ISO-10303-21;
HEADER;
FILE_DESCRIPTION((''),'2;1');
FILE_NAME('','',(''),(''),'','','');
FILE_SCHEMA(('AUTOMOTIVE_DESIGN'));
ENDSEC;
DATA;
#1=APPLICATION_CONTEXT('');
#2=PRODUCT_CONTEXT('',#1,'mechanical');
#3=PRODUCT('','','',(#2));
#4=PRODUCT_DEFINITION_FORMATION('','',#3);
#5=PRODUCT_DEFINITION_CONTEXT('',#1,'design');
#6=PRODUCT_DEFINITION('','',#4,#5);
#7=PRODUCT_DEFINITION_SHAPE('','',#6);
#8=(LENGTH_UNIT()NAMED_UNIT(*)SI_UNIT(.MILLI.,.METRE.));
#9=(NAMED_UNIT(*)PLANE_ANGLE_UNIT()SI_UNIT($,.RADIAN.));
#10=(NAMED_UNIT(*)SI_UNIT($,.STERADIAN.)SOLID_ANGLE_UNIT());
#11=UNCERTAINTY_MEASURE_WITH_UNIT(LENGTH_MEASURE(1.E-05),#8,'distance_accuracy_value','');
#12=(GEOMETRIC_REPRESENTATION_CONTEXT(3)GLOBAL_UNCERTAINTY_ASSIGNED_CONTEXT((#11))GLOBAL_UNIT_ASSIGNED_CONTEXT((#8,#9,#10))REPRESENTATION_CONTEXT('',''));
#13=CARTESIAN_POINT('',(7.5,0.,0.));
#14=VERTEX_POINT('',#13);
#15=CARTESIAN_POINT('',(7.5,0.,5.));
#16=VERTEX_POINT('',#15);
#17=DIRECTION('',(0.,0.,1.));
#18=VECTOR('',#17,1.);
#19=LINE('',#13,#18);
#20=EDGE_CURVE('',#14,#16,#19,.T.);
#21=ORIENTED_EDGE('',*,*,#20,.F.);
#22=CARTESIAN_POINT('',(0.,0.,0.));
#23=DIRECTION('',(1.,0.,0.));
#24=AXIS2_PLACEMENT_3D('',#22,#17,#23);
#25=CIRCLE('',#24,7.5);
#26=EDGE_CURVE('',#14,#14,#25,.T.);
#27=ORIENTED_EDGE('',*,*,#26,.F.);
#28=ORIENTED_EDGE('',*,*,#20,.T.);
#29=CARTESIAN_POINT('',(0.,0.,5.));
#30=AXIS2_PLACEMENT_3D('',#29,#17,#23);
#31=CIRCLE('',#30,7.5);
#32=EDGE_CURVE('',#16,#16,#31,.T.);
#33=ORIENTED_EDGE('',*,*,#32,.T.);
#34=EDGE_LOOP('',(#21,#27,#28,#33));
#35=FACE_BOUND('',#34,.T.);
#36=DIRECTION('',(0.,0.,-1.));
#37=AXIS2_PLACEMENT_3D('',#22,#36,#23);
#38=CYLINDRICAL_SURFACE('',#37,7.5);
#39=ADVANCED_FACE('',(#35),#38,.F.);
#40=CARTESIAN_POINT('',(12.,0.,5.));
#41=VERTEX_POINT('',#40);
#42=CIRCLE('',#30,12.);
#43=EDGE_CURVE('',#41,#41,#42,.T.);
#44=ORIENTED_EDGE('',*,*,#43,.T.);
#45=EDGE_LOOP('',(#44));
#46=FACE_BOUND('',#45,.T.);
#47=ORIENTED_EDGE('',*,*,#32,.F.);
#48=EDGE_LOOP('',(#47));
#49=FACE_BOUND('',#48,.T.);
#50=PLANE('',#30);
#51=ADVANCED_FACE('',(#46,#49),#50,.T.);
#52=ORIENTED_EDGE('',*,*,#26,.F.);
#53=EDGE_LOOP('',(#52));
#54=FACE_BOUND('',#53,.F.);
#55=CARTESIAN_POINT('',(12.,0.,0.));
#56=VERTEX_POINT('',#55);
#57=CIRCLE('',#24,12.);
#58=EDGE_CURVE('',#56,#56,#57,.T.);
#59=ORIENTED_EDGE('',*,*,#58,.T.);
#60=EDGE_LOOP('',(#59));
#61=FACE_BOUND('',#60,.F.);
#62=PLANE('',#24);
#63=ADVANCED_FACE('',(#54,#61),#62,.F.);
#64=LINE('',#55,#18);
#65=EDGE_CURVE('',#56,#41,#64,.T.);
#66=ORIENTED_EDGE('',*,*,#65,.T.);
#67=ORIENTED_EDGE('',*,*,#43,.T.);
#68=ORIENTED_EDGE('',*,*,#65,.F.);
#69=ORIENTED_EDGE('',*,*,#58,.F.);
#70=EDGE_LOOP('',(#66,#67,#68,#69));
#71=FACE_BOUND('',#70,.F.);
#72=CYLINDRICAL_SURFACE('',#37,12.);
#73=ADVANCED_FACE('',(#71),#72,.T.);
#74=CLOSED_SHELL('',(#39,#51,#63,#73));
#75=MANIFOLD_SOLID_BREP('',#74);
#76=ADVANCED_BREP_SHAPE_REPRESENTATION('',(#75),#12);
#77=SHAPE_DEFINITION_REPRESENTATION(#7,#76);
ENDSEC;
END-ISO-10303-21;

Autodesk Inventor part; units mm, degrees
ref_plane "YZ Plane" through (0, 0, 0) normal (1, 0, 0) x (0, 1, 0)
ref_plane "XZ Plane" through (0, 0, 0) normal (0, 1, 0) x (-1, 0, 0)
ref_plane "XY Plane" through (0, 0, 0) normal (0, 0, 1) x (1, 0, 0)
sketch "Sketch1" plane through (0, 0, 0) normal (0, 0, 1) x (1, 0, 0)
  circle A0 centre (0, 0) radius 12
  circle A1 centre (0, 0) radius 7.5
  dimension "d0" = 24
  dimension "d1" = 15
extrude "Extrusion1" add sketch "Sketch1" along normal blind 5
properties part number "bearing_24"
